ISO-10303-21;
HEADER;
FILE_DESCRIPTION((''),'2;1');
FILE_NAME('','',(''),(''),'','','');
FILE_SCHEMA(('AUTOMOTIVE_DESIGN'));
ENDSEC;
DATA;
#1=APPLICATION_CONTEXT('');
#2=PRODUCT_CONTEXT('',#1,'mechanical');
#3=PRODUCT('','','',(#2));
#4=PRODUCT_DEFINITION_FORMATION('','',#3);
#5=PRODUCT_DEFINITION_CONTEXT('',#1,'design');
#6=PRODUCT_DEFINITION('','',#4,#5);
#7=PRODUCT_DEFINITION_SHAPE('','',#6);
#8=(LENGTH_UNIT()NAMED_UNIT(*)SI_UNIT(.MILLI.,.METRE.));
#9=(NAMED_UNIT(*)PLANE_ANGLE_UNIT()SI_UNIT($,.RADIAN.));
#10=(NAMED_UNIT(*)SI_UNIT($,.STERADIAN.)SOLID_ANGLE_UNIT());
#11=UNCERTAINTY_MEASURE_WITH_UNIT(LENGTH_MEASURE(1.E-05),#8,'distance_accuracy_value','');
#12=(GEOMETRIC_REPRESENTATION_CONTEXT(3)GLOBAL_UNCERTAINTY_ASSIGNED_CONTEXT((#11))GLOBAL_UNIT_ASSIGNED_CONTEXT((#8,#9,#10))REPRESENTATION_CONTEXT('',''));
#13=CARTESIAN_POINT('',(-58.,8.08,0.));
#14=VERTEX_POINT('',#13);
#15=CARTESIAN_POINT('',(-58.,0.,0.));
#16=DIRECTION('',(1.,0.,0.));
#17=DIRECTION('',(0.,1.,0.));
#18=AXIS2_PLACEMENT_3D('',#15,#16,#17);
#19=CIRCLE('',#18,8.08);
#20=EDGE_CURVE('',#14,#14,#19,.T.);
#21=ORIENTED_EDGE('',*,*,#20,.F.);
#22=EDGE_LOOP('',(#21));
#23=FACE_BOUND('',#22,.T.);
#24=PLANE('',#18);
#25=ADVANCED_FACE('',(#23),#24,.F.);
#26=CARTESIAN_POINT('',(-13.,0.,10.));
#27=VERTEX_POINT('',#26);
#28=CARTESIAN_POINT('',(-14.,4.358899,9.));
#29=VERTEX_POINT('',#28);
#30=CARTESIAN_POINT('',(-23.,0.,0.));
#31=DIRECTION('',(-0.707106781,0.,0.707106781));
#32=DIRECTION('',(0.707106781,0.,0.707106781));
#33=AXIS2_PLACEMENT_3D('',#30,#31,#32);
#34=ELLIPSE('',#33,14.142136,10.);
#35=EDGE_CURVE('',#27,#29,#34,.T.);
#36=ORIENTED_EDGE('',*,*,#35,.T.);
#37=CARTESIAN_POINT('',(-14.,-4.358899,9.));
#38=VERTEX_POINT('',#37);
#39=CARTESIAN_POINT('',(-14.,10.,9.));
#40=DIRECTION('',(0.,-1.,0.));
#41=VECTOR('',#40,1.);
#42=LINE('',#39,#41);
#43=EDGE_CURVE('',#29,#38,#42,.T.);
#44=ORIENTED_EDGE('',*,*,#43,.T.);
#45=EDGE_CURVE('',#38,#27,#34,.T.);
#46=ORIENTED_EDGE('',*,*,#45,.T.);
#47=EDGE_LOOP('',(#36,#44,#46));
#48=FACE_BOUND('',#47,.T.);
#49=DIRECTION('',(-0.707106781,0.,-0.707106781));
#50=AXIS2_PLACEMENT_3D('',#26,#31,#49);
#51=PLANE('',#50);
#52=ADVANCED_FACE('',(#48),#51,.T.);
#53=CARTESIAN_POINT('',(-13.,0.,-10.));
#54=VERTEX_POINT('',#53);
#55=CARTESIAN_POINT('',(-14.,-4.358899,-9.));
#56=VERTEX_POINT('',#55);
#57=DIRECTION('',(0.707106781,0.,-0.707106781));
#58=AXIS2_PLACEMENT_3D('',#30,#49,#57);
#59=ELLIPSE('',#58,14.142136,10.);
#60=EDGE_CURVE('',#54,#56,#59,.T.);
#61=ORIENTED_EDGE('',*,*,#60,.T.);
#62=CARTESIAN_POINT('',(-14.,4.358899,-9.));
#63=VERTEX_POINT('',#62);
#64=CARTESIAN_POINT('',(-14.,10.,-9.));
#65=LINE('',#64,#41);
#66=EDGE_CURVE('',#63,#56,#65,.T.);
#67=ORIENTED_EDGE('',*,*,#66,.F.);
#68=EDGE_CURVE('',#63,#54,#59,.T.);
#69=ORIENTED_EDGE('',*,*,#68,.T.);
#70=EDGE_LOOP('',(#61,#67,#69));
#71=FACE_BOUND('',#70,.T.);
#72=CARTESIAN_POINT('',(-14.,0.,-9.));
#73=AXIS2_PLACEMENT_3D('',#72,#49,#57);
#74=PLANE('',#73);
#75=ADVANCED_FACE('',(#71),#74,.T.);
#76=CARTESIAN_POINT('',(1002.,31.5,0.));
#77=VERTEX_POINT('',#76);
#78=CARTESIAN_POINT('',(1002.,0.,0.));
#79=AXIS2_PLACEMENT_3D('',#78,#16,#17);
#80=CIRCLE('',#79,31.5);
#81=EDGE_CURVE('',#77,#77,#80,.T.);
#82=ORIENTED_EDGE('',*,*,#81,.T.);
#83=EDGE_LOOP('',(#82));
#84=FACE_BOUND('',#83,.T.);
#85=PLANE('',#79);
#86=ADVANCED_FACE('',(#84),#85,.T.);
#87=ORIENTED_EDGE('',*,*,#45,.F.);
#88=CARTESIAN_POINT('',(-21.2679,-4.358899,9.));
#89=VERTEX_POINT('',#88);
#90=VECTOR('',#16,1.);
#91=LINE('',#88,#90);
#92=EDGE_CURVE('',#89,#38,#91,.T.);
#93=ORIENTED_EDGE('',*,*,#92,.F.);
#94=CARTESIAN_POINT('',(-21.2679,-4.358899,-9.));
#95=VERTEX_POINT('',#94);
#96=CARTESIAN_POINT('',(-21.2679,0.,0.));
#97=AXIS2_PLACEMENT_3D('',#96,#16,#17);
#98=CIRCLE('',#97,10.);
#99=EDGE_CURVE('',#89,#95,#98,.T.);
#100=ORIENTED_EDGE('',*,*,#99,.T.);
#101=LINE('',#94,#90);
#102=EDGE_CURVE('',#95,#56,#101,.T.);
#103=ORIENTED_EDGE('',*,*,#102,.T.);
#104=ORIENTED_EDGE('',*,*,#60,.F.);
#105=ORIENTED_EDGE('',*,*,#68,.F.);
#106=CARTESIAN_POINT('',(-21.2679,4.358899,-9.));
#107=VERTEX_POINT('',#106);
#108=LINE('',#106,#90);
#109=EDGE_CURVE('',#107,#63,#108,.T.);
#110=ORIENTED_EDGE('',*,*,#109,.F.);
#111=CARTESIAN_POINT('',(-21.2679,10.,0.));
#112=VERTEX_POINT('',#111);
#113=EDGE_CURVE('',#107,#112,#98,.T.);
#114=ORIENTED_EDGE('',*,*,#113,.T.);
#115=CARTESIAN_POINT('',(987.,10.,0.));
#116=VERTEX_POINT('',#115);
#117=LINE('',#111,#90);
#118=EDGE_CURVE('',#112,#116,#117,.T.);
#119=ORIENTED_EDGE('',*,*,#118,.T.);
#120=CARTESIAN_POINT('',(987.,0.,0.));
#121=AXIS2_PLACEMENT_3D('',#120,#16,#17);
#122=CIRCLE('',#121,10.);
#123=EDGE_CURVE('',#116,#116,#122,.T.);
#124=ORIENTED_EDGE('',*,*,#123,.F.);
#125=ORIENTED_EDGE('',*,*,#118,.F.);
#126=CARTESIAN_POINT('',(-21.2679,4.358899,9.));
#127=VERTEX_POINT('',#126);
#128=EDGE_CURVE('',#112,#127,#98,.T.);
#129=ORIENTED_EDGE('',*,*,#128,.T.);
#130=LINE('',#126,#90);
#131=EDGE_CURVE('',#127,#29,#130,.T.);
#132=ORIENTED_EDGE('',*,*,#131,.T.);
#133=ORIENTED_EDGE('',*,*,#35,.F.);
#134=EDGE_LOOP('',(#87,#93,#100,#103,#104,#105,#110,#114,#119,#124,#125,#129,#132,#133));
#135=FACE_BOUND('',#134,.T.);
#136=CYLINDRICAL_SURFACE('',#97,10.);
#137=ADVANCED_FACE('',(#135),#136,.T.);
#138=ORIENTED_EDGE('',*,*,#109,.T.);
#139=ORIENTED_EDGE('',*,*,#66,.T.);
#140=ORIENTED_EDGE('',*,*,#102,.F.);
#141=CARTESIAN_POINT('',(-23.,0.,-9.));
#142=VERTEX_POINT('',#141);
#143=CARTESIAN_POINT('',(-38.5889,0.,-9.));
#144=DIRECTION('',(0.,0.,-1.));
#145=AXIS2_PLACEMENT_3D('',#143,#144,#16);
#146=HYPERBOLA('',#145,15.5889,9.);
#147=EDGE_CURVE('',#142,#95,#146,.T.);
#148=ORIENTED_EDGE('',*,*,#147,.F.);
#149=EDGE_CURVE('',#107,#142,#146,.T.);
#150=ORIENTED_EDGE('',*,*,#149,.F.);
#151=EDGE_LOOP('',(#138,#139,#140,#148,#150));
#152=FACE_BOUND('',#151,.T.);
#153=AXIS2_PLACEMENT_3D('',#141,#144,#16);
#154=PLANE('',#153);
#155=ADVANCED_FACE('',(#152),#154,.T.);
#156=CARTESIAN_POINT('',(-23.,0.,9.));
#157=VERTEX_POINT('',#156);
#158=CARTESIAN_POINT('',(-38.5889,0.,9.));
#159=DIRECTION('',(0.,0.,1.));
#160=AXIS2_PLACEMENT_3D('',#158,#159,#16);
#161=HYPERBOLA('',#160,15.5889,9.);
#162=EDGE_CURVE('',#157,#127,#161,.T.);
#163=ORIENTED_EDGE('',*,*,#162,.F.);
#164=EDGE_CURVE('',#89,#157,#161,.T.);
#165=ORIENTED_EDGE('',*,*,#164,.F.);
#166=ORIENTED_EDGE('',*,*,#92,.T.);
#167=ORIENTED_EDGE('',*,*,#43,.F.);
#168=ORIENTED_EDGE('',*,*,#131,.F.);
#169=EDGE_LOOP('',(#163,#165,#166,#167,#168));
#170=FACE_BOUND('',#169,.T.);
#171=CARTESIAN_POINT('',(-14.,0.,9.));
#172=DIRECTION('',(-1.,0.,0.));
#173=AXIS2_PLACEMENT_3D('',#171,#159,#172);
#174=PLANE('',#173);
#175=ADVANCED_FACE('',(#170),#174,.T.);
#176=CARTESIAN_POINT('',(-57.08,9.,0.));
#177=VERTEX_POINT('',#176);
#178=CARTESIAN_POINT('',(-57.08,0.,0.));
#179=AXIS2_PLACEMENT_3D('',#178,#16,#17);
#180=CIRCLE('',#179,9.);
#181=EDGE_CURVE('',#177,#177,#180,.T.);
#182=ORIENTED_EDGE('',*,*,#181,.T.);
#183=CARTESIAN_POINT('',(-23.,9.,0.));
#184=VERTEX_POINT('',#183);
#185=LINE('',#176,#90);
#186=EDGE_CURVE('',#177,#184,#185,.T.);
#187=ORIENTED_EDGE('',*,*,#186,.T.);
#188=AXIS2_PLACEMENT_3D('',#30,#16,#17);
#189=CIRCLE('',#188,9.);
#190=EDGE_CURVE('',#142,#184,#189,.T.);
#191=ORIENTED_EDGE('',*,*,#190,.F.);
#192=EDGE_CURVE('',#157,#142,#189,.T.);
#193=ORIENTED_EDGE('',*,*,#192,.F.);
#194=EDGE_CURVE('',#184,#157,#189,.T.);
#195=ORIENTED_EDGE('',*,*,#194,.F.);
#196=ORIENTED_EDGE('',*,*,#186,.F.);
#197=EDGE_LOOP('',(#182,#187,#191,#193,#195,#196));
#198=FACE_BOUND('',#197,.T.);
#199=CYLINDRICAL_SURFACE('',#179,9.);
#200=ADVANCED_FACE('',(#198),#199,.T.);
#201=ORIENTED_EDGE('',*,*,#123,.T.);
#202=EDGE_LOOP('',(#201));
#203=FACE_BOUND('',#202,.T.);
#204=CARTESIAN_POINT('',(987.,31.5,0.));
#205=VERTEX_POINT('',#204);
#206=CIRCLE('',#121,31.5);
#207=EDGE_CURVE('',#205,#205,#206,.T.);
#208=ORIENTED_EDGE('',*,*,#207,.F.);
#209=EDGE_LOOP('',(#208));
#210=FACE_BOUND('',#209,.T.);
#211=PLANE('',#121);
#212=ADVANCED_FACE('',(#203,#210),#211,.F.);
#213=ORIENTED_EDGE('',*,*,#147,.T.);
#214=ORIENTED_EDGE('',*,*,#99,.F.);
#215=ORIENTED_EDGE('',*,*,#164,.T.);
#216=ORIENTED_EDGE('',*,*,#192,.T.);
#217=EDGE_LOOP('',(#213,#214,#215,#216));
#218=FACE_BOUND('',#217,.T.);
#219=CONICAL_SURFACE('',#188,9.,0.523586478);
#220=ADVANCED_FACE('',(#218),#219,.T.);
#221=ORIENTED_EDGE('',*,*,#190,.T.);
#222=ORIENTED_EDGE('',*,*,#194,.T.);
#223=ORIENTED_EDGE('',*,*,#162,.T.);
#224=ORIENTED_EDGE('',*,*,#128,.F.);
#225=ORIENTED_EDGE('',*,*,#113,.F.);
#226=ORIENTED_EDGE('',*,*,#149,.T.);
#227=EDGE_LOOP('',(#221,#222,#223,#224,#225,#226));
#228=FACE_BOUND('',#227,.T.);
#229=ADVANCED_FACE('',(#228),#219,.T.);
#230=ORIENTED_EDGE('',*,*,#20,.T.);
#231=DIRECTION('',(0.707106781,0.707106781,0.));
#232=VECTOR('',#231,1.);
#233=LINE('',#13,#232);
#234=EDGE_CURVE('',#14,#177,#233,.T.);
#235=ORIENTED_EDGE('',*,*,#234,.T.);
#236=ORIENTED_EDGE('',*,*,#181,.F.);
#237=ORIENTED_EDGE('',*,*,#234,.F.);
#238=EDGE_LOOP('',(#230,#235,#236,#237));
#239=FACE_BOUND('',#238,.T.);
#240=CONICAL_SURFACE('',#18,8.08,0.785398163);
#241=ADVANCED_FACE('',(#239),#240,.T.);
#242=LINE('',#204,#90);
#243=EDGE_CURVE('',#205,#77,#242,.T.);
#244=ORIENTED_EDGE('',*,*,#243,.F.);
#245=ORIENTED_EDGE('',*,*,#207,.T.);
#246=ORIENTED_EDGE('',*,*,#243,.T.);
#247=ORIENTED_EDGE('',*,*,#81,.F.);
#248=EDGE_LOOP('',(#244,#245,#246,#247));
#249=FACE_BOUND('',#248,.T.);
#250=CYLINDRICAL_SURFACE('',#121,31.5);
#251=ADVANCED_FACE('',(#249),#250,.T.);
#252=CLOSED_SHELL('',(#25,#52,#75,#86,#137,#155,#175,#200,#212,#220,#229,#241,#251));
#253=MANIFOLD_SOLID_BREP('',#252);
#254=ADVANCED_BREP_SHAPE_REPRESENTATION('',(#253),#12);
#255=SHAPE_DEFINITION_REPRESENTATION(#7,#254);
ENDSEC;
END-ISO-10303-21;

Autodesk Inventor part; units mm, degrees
sketch "Sketch_1" plane through (0, 0, 0) normal (0, 0, 1) x (1, 0, 0)
  line L0 (1002, 0) -> (-58, 0)
  line L1 (-58, 0) -> (-58, 8.08)
  line L2 (-58, 8.08) -> (-57.08, 9)
  line L3 (-57.08, 9) -> (-23, 9)
  line L4 (-23, 9) -> (-21.2679, 10)
  line L5 (-21.2679, 10) -> (987, 10)
  line L6 (987, 10) -> (987, 31.5)
  line L7 (987, 31.5) -> (1002, 31.5)
  line L8 (1002, 31.5) -> (1002, 0)
  line L9 (1002, 0) -> (-58, 0)
revolve "Revolution1" add sketch "Sketch_1" angle 360 about axis through (1002, 0, 0) along (1, 0, 0)
thread "Thread1" size "M18x1.5" class "6g" standard "ISO Metric profile" length 31.08
sketch "Sketch_2" plane through (0, 0, 0) normal (0, 1, 0) x (-1, 0, 0)
  line L0 (23, -10) -> (23, -9)
  line L1 (23, -9) -> (14, -9)
  line L2 (14, -9) -> (13, -10)
  line L3 (13, -10) -> (23, -10)
extrude "Extrusion1" cut sketch "Sketch_2" along normal mid plane 20
sketch "Sketch_3" plane through (0, 0, 0) normal (0, 1, 0) x (-1, 0, 0)
  line L0 (23, 10) -> (13, 10)
  line L1 (13, 10) -> (14, 9)
  line L2 (14, 9) -> (23, 9)
  line L3 (23, 9) -> (23, 10)
extrude "Extrusion2" cut sketch "Sketch_3" along normal mid plane 20
ref_plane "K_XY" through (-14, 0, 0) normal (0, 0, 1) x (1, 0, 0)
ref_plane "K_YZ" through (-14, 0, 0) normal (1, 0, 0) x (0, 1, 0)
ref_plane "K_ZX" through (-14, 0, 0) normal (0, 1, 0) x (0, 0, 1)
ref_plane "rod_XY" through (0, 0, 0) normal (1, 0, 0) x (0, 0, -1)
ref_plane "rod_YZ" through (0, 0, 0) normal (0, 0, -1) x (0, 1, 0)
ref_plane "rod_ZX" through (0, 0, 0) normal (0, 1, 0) x (1, 0, 0)
ref_plane "rod_nut_XY" through (-42, 0, 0) normal (-1, 0, 0) x (0, 0, -1)
ref_plane "rod_nut_YZ" through (-42, 0, 0) normal (0, 0, -1) x (0, -1, 0)
ref_plane "rod_nut_ZX" through (-42, 0, 0) normal (0, -1, 0) x (-1, 0, 0)
properties part number "CE263-800_ROD"
